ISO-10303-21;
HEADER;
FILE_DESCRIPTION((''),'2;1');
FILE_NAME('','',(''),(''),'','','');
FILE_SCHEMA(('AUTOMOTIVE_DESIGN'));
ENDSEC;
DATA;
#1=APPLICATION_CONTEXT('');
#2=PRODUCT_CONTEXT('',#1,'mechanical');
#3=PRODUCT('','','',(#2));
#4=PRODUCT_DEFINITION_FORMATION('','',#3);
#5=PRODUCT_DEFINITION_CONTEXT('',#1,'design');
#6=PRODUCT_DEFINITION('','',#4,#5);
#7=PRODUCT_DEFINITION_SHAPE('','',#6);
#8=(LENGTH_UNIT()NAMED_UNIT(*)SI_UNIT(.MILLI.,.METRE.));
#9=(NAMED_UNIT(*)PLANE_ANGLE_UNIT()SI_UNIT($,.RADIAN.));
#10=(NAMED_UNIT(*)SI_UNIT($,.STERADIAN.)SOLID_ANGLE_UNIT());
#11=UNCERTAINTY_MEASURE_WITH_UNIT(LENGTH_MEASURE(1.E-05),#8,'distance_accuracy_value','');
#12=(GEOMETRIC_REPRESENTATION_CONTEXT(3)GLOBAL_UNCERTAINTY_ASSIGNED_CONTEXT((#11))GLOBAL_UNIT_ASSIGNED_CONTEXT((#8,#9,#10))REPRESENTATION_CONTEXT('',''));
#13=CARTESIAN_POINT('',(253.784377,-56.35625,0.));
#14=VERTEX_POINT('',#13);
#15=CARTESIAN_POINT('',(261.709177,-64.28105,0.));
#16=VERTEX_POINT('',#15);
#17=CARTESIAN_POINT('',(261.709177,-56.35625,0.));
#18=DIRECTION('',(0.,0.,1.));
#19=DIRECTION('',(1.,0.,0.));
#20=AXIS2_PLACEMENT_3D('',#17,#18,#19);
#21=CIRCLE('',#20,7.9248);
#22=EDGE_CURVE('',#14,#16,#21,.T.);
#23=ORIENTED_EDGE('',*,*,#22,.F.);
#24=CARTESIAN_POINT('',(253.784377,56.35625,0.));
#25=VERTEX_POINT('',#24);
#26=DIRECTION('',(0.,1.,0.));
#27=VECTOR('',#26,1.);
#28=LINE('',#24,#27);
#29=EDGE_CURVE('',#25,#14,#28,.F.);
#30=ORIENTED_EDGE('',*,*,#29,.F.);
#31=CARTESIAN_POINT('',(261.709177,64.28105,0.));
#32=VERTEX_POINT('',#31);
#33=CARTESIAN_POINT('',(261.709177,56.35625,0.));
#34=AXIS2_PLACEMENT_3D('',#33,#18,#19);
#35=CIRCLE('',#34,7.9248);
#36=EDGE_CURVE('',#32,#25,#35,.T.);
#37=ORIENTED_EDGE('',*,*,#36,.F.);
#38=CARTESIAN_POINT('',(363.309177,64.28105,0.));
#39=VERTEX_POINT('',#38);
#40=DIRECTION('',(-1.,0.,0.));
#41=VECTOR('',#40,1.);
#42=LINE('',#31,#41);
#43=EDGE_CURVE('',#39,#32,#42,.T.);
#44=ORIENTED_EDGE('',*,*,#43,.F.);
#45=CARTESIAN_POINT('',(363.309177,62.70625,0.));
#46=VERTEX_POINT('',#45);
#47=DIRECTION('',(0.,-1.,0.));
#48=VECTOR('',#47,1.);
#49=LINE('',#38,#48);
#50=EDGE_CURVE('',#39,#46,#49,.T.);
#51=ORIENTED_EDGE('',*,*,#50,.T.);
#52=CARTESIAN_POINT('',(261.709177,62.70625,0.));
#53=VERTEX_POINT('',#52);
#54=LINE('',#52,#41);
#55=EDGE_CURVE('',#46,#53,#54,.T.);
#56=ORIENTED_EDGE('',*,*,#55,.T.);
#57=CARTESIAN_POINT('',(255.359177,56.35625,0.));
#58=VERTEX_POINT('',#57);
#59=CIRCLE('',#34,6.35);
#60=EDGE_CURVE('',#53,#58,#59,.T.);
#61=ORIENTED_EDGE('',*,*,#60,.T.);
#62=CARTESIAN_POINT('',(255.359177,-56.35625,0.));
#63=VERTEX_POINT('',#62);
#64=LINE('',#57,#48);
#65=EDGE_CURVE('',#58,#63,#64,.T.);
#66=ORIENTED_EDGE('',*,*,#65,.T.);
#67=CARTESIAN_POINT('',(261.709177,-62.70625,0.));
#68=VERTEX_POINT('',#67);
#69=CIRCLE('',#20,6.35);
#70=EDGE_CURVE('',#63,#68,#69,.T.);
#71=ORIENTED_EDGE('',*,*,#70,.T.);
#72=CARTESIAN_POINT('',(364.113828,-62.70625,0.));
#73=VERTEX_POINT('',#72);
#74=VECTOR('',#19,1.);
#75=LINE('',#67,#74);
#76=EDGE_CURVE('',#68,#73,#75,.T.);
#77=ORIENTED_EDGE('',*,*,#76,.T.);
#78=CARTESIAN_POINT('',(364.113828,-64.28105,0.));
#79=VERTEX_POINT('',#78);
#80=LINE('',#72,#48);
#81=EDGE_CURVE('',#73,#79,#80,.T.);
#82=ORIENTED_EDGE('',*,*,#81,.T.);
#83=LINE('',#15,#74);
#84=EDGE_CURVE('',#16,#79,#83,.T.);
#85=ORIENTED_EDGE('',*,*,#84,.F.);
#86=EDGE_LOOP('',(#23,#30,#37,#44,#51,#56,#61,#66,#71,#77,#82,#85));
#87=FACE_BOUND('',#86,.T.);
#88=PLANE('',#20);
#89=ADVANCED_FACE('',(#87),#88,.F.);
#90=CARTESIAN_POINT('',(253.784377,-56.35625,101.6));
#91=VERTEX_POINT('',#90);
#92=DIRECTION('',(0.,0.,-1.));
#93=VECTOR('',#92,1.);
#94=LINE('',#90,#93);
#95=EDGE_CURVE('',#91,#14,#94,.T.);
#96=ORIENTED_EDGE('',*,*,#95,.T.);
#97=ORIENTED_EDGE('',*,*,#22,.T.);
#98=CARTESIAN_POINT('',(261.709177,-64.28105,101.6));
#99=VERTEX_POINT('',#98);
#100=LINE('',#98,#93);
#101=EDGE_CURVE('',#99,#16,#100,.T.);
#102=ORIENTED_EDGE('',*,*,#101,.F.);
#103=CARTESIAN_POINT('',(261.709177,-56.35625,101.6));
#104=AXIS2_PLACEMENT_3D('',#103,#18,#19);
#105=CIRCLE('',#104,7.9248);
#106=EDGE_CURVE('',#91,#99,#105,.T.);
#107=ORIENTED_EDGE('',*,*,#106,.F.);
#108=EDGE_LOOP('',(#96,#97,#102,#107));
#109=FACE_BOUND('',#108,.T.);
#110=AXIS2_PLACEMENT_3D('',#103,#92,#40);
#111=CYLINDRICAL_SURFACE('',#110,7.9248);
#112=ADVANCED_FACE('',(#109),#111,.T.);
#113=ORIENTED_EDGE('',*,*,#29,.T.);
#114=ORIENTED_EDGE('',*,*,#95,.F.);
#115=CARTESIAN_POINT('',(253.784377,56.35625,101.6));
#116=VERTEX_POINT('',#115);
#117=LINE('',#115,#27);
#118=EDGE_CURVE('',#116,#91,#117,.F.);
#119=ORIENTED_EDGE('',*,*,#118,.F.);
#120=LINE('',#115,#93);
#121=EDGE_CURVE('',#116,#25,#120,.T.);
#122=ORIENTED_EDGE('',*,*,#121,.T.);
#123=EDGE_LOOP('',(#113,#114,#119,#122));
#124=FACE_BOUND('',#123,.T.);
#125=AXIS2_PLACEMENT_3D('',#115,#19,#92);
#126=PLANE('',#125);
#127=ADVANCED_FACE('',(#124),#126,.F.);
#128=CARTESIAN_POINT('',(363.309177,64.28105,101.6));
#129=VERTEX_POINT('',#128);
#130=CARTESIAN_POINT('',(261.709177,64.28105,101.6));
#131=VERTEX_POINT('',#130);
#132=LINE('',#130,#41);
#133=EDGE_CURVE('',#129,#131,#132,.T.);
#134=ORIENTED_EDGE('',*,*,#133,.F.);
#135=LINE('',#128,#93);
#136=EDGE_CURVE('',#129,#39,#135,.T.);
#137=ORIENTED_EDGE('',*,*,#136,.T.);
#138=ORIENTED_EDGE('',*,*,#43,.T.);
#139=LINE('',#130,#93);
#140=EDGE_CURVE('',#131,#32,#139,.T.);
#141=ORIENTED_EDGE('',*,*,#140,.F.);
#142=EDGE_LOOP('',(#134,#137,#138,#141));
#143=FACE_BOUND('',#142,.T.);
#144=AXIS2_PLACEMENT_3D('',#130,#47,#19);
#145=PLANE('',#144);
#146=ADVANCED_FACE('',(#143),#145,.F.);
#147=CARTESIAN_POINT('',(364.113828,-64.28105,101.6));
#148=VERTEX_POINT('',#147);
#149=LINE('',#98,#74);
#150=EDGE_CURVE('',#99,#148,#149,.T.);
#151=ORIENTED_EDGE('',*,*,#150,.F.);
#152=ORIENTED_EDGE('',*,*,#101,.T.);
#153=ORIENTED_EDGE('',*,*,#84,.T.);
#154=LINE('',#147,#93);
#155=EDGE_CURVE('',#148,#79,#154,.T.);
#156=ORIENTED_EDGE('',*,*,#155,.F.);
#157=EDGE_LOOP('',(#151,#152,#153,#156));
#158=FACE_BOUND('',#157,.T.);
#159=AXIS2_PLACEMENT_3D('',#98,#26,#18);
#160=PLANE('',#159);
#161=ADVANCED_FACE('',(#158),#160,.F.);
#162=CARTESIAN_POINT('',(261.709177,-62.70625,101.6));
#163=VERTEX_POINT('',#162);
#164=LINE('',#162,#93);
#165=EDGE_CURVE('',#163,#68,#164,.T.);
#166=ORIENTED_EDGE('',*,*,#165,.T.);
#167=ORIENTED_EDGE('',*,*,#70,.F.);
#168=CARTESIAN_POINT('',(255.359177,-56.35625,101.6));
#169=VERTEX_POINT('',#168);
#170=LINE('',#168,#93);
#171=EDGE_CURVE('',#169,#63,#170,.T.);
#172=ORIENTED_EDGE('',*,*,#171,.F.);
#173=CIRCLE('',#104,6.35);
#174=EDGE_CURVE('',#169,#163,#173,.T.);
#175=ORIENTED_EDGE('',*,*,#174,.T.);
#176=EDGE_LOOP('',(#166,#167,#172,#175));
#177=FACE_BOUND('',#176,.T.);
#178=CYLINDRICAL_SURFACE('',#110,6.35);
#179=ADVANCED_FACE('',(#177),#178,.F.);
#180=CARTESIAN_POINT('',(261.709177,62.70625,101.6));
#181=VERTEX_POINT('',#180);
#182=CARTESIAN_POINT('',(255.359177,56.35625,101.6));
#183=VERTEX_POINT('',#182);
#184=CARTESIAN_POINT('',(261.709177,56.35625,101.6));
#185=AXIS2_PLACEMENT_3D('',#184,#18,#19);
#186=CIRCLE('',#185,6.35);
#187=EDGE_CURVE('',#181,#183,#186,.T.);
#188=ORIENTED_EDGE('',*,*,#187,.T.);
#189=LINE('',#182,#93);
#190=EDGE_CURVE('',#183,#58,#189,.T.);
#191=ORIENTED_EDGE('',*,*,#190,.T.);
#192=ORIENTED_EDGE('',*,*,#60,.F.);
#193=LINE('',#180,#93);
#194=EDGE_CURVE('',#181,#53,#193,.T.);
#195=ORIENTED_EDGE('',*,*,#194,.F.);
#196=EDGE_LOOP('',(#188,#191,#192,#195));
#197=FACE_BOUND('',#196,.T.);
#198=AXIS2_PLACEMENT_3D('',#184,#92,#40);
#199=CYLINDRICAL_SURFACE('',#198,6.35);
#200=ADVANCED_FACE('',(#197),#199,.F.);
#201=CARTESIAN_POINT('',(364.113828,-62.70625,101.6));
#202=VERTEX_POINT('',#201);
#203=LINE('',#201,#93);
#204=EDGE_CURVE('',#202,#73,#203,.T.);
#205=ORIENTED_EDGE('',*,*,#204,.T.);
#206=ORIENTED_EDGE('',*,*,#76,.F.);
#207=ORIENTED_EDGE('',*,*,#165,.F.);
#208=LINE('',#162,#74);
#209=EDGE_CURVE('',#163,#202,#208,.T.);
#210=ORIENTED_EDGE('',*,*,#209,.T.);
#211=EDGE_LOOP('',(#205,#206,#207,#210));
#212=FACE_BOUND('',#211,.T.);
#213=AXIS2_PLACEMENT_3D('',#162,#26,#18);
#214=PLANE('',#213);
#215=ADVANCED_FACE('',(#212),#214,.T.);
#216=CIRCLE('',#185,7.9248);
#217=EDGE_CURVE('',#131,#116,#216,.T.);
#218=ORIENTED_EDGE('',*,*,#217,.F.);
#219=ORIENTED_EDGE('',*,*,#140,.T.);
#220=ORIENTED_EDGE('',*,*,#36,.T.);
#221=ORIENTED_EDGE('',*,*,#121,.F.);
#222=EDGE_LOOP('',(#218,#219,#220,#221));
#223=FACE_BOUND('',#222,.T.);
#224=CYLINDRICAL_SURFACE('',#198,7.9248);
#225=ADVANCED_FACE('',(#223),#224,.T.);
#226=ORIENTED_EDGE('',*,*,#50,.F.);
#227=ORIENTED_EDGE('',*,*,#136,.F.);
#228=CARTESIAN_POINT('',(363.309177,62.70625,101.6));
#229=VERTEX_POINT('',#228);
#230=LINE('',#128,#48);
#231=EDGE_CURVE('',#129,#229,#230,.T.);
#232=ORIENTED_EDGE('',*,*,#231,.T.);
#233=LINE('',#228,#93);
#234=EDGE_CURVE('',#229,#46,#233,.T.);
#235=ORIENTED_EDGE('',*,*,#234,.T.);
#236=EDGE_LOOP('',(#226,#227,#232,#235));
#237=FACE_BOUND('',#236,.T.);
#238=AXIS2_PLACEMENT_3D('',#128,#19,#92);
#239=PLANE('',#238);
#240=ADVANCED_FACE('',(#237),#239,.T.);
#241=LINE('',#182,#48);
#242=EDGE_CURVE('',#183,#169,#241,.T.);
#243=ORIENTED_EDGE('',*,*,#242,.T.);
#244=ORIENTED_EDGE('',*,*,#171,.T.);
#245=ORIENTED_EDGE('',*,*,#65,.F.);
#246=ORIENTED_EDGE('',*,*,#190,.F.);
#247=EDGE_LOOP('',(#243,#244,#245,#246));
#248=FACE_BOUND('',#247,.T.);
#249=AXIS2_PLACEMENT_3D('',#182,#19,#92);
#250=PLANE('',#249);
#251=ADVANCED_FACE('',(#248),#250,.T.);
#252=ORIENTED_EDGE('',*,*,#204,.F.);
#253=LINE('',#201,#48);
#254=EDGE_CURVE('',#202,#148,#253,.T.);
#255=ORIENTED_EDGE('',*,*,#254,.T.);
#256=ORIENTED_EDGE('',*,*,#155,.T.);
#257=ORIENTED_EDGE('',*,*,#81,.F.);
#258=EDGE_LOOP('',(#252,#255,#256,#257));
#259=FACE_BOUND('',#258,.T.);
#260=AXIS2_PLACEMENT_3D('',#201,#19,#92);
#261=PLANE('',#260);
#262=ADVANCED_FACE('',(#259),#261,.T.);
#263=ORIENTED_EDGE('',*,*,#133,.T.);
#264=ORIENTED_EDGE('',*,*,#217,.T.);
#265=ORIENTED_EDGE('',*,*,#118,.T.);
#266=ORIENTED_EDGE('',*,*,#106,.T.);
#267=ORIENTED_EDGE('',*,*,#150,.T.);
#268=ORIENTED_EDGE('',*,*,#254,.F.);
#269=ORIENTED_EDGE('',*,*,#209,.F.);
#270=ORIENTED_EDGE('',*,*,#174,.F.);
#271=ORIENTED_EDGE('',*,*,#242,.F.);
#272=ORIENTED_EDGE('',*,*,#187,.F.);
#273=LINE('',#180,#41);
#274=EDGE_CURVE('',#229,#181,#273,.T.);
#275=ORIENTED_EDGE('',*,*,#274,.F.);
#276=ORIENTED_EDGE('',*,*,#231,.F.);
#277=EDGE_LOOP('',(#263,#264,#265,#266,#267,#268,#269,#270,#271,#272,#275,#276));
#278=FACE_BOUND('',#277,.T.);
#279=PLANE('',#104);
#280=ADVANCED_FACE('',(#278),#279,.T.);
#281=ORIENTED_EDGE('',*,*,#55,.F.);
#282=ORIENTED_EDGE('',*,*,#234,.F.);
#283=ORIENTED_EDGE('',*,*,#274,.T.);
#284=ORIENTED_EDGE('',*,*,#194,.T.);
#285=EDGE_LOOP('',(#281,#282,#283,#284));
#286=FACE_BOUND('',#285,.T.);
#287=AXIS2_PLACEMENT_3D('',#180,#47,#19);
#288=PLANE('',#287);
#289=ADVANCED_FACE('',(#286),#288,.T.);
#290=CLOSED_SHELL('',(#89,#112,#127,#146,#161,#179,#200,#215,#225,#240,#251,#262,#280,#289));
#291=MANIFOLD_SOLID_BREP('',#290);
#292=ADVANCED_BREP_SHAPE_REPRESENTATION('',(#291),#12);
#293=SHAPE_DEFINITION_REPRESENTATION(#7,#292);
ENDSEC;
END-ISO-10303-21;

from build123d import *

# Parameters (mm, degrees)
EXTRUDE_THIN1_DEPTH = 101.6


with BuildPart() as part:
    # Sketch1 → Extrude-Thin1 (new body)
    with BuildSketch(Plane.XY):
        with BuildLine():
            Line((364.113827616, -62.70625), (261.709177451, -62.70625))
            ThreePointArc((261.709177451, -62.70625), (257.21904939, -60.846378061), (255.359177451, -56.35625))
            Line((255.359177451, -56.35625), (255.359177451, 56.35625))
            ThreePointArc((255.359177451, 56.35625), (257.21904939, 60.846378061), (261.709177451, 62.70625))
            Line((261.709177451, 62.70625), (363.309177451, 62.70625))
            Line((363.309177451, 62.70625), (363.309177451, 64.28105))
            Line((363.309177451, 64.28105), (261.709177451, 64.28105))
            ThreePointArc((261.709177451, 64.28105), (256.105497631, 61.95992982), (253.784377451, 56.35625))
            Line((253.784377451, 56.35625), (253.784377451, -56.35625))
            ThreePointArc((253.784377451, -56.35625), (256.105497631, -61.95992982), (261.709177451, -64.28105))
            Line((261.709177451, -64.28105), (364.113827616, -64.28105))
            Line((364.113827616, -64.28105), (364.113827616, -62.70625))
        make_face()
    extrude(amount=EXTRUDE_THIN1_DEPTH)


solid = part.part
